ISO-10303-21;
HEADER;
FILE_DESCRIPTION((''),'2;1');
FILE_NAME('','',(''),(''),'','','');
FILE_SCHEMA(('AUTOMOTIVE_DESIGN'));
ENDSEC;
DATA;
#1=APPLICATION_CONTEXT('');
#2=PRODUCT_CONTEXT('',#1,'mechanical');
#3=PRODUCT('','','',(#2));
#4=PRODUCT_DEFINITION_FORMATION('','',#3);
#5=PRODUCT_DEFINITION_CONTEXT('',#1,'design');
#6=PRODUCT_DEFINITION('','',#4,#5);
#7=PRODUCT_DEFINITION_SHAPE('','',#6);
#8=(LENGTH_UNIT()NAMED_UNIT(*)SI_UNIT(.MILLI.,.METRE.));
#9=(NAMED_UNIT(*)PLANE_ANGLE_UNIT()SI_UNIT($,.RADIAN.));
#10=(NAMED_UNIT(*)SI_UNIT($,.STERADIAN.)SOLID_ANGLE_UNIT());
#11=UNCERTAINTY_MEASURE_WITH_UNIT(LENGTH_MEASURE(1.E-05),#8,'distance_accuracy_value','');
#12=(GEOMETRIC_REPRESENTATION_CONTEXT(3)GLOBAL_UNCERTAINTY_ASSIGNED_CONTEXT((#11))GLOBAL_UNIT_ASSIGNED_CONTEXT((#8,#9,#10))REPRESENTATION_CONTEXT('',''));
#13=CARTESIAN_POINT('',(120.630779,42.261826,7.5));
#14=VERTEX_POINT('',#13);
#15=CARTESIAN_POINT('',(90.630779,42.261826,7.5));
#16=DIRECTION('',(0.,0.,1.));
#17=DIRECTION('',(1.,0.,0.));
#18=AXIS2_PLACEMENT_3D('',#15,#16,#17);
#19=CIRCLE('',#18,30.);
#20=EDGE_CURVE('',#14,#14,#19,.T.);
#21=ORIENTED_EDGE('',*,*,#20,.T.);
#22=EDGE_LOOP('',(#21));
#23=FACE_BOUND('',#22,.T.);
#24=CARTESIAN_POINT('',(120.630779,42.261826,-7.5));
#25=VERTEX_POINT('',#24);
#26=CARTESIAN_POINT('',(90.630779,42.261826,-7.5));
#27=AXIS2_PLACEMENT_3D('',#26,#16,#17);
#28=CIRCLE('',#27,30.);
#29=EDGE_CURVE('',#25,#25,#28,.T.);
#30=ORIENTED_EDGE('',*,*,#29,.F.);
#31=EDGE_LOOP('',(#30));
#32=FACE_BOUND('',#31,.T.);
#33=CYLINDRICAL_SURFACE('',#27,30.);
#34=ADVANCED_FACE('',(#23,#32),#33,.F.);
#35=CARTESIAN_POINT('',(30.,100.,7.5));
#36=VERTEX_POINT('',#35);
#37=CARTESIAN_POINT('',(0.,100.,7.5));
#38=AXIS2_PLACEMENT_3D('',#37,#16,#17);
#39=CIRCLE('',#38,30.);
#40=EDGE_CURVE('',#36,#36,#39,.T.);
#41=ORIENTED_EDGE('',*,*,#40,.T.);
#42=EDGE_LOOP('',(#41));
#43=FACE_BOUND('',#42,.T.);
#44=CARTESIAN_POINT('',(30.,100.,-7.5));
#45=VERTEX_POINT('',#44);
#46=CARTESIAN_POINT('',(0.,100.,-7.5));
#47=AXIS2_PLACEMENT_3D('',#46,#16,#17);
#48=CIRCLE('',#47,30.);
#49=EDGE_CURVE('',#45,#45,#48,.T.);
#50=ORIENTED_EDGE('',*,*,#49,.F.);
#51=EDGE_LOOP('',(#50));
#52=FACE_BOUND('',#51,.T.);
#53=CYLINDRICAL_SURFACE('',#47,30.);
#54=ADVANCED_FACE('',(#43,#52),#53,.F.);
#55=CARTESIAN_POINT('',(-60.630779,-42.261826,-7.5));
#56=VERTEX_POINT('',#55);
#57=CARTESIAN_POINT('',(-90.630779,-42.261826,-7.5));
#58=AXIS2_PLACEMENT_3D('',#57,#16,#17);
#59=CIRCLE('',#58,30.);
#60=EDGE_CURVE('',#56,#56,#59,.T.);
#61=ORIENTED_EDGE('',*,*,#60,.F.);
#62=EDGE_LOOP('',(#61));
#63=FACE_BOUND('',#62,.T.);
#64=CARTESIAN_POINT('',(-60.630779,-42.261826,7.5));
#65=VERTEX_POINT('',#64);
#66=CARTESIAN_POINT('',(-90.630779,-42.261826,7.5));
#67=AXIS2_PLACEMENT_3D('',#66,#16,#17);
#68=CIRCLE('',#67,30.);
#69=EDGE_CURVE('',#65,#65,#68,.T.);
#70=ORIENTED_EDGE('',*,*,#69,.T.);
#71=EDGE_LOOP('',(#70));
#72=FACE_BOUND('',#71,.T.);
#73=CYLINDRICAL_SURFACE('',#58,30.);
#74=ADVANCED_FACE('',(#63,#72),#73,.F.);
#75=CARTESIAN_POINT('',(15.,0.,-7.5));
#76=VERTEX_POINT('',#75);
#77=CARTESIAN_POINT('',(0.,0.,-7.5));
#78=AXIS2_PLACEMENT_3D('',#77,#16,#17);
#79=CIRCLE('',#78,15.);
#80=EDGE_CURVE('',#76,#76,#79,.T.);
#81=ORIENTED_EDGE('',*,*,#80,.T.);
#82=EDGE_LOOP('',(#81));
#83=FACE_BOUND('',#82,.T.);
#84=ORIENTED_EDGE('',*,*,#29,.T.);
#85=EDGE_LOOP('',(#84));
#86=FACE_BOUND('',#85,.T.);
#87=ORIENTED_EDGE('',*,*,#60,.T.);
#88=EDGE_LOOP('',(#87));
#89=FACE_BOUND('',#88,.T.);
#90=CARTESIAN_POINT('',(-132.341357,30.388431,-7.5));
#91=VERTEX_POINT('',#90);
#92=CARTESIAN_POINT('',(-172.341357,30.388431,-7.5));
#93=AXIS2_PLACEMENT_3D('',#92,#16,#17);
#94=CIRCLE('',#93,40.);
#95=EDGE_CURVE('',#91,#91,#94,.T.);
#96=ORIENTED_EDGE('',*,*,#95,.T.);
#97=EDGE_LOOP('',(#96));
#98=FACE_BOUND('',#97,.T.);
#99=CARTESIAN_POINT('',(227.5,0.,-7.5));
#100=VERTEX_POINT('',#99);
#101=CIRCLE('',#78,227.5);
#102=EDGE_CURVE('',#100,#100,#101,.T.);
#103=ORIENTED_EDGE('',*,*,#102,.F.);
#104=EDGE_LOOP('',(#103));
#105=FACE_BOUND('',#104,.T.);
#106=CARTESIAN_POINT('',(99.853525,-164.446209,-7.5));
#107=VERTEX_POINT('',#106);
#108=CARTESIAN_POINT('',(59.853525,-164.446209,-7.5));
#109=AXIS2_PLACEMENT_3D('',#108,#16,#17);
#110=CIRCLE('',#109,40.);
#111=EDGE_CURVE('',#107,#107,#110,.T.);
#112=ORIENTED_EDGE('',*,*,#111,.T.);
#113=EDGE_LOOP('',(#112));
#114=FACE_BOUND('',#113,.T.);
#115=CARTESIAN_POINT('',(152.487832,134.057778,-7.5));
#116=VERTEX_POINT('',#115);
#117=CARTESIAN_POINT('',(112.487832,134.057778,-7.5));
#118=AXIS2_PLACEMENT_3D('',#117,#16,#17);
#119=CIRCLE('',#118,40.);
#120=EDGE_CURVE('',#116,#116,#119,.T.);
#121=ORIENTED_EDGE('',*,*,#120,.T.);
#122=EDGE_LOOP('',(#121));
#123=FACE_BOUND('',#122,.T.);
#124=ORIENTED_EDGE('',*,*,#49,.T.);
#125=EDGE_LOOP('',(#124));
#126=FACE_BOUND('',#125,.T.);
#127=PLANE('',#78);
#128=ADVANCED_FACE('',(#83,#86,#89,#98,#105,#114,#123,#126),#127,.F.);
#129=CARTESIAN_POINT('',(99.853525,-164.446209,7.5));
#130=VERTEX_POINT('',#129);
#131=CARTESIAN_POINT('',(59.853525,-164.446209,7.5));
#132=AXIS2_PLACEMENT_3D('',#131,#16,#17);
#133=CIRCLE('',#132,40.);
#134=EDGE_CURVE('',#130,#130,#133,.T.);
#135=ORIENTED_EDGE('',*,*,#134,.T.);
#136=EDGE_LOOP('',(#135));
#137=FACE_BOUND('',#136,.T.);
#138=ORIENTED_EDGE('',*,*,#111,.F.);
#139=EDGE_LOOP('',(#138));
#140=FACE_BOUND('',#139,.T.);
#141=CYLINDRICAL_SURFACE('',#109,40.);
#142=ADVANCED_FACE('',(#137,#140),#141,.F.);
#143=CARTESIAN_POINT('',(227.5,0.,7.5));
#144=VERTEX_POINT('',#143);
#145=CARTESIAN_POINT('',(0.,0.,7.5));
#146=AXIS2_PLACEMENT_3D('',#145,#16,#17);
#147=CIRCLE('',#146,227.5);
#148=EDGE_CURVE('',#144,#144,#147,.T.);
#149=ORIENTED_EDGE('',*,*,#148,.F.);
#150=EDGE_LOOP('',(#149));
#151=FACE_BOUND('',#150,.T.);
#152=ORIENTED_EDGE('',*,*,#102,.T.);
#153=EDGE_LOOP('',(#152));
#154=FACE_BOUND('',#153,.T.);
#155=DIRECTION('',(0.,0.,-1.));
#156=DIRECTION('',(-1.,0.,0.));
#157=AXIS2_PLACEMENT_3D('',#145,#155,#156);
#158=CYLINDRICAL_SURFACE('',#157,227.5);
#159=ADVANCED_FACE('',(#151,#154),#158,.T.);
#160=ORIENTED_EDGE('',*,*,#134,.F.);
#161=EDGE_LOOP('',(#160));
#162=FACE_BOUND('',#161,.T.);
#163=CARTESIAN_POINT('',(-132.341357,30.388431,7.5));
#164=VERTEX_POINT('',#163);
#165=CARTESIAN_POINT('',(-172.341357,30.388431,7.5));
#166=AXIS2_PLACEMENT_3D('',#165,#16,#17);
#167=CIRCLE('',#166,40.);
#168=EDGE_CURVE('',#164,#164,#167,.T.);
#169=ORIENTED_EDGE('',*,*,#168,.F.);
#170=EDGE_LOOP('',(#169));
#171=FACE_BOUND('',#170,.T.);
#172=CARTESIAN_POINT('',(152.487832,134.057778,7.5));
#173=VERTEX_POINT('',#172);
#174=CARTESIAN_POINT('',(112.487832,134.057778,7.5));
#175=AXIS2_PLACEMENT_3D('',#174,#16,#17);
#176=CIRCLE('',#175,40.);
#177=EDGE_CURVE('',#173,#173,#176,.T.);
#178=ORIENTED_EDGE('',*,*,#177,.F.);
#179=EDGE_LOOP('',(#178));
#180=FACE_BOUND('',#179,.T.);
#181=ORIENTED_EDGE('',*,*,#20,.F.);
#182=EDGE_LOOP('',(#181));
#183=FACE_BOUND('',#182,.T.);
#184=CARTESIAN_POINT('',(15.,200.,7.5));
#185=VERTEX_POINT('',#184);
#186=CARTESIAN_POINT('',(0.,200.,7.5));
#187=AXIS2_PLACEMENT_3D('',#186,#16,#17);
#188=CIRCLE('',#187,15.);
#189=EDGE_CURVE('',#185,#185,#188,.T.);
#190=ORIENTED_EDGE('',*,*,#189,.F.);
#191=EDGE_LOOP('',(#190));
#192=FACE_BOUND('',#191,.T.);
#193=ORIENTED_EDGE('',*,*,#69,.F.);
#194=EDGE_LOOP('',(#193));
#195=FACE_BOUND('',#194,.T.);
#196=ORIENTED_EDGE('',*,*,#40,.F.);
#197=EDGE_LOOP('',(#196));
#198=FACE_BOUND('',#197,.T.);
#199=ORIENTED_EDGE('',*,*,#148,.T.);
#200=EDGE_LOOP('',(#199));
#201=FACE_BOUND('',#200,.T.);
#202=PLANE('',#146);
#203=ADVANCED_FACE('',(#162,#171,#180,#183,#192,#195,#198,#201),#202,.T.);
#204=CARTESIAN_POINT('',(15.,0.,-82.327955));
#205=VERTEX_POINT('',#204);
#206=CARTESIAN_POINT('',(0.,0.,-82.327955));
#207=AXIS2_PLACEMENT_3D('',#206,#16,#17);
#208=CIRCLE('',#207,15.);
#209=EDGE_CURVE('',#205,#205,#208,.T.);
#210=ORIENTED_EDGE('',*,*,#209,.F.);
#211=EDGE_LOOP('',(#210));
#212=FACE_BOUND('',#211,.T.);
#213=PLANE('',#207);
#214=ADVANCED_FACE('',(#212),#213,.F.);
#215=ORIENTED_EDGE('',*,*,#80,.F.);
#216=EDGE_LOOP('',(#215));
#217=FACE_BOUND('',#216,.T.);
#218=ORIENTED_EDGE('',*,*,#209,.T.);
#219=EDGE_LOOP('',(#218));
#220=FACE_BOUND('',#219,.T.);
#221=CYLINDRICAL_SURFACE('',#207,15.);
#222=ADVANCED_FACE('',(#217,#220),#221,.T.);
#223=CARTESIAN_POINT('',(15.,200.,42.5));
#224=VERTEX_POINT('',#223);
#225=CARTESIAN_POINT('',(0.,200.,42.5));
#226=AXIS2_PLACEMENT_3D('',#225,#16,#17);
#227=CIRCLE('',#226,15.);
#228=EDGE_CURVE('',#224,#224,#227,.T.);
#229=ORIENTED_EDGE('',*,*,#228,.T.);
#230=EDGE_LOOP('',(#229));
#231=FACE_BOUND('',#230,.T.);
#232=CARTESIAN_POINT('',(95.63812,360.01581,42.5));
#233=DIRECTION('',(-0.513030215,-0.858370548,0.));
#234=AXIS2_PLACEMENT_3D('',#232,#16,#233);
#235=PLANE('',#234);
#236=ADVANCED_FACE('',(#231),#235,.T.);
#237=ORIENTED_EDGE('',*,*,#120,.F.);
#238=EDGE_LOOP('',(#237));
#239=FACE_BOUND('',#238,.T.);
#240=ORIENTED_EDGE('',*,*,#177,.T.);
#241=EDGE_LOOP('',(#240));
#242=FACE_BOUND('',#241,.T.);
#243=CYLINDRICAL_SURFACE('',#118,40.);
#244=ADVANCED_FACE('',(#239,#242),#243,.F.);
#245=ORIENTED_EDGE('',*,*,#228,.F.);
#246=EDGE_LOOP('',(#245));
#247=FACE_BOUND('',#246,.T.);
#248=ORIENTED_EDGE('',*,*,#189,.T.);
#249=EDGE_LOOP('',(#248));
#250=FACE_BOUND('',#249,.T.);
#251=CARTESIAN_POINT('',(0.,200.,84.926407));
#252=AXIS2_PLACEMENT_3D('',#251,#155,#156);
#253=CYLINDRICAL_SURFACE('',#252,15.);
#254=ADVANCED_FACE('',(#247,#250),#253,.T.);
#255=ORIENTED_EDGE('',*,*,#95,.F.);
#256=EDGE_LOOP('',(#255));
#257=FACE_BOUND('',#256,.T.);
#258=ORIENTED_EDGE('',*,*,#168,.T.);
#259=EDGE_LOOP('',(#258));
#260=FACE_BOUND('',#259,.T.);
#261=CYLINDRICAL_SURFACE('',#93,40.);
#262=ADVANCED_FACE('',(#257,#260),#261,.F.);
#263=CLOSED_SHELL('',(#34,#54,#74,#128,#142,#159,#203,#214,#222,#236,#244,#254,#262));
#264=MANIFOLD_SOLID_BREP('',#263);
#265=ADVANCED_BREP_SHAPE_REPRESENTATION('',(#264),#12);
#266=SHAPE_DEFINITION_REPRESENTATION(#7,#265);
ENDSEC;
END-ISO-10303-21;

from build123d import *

# Parameters (mm, degrees)
SKETCH1_R           = 227.5
BOSS_EXTRUDE1_DEPTH = 7.5
BOSS_EXTRUDE2_START = 7.5
SKETCH1_3_R         = 15
BOSS_EXTRUDE2_DEPTH = 35
SKETCH2_R           = 40
SKETCH2_R_2         = 30
CUT_EXTRUDE1_DEPTH  = 16
BOSS_EXTRUDE3_START = -7.5
SKETCH3_R           = 15
BOSS_EXTRUDE3_DEPTH = 74.827954589


with BuildPart() as part:
    # Sketch1 → Boss-Extrude1 (new body, symmetric)
    with BuildSketch(Plane.XY):
        Circle(SKETCH1_R)
    extrude(amount=BOSS_EXTRUDE1_DEPTH, both=True)

    # Sketch1<3> → Boss-Extrude2 (add)
    with BuildSketch(Plane.XY.offset(BOSS_EXTRUDE2_START)):
        with Locations((0, 200)):
            Circle(SKETCH1_3_R)
    extrude(amount=BOSS_EXTRUDE2_DEPTH)

    # Sketch2 → Cut-Extrude1 (cut, through all)
    with BuildSketch(Plane.XY.offset(7.5)):
        with Locations((-172.341356777, 30.388431092)):
            Circle(SKETCH2_R)
        with Locations((0, 100)):
            Circle(SKETCH2_R_2)
        with Locations((90.630778704, 42.261826174)):
            Circle(SKETCH2_R_2)
        with Locations((-90.630778704, -42.261826174)):
            Circle(SKETCH2_R_2)
        with Locations((112.487831695, 134.057777546)):
            Circle(SKETCH2_R)
        with Locations((59.853525082, -164.446208638)):
            Circle(SKETCH2_R)
    extrude(amount=-CUT_EXTRUDE1_DEPTH, mode=Mode.SUBTRACT)

    # Sketch3 → Boss-Extrude3 (add)
    with BuildSketch(Plane.XY.offset(BOSS_EXTRUDE3_START)):
        Circle(SKETCH3_R)
    extrude(amount=-BOSS_EXTRUDE3_DEPTH)


solid = part.part
